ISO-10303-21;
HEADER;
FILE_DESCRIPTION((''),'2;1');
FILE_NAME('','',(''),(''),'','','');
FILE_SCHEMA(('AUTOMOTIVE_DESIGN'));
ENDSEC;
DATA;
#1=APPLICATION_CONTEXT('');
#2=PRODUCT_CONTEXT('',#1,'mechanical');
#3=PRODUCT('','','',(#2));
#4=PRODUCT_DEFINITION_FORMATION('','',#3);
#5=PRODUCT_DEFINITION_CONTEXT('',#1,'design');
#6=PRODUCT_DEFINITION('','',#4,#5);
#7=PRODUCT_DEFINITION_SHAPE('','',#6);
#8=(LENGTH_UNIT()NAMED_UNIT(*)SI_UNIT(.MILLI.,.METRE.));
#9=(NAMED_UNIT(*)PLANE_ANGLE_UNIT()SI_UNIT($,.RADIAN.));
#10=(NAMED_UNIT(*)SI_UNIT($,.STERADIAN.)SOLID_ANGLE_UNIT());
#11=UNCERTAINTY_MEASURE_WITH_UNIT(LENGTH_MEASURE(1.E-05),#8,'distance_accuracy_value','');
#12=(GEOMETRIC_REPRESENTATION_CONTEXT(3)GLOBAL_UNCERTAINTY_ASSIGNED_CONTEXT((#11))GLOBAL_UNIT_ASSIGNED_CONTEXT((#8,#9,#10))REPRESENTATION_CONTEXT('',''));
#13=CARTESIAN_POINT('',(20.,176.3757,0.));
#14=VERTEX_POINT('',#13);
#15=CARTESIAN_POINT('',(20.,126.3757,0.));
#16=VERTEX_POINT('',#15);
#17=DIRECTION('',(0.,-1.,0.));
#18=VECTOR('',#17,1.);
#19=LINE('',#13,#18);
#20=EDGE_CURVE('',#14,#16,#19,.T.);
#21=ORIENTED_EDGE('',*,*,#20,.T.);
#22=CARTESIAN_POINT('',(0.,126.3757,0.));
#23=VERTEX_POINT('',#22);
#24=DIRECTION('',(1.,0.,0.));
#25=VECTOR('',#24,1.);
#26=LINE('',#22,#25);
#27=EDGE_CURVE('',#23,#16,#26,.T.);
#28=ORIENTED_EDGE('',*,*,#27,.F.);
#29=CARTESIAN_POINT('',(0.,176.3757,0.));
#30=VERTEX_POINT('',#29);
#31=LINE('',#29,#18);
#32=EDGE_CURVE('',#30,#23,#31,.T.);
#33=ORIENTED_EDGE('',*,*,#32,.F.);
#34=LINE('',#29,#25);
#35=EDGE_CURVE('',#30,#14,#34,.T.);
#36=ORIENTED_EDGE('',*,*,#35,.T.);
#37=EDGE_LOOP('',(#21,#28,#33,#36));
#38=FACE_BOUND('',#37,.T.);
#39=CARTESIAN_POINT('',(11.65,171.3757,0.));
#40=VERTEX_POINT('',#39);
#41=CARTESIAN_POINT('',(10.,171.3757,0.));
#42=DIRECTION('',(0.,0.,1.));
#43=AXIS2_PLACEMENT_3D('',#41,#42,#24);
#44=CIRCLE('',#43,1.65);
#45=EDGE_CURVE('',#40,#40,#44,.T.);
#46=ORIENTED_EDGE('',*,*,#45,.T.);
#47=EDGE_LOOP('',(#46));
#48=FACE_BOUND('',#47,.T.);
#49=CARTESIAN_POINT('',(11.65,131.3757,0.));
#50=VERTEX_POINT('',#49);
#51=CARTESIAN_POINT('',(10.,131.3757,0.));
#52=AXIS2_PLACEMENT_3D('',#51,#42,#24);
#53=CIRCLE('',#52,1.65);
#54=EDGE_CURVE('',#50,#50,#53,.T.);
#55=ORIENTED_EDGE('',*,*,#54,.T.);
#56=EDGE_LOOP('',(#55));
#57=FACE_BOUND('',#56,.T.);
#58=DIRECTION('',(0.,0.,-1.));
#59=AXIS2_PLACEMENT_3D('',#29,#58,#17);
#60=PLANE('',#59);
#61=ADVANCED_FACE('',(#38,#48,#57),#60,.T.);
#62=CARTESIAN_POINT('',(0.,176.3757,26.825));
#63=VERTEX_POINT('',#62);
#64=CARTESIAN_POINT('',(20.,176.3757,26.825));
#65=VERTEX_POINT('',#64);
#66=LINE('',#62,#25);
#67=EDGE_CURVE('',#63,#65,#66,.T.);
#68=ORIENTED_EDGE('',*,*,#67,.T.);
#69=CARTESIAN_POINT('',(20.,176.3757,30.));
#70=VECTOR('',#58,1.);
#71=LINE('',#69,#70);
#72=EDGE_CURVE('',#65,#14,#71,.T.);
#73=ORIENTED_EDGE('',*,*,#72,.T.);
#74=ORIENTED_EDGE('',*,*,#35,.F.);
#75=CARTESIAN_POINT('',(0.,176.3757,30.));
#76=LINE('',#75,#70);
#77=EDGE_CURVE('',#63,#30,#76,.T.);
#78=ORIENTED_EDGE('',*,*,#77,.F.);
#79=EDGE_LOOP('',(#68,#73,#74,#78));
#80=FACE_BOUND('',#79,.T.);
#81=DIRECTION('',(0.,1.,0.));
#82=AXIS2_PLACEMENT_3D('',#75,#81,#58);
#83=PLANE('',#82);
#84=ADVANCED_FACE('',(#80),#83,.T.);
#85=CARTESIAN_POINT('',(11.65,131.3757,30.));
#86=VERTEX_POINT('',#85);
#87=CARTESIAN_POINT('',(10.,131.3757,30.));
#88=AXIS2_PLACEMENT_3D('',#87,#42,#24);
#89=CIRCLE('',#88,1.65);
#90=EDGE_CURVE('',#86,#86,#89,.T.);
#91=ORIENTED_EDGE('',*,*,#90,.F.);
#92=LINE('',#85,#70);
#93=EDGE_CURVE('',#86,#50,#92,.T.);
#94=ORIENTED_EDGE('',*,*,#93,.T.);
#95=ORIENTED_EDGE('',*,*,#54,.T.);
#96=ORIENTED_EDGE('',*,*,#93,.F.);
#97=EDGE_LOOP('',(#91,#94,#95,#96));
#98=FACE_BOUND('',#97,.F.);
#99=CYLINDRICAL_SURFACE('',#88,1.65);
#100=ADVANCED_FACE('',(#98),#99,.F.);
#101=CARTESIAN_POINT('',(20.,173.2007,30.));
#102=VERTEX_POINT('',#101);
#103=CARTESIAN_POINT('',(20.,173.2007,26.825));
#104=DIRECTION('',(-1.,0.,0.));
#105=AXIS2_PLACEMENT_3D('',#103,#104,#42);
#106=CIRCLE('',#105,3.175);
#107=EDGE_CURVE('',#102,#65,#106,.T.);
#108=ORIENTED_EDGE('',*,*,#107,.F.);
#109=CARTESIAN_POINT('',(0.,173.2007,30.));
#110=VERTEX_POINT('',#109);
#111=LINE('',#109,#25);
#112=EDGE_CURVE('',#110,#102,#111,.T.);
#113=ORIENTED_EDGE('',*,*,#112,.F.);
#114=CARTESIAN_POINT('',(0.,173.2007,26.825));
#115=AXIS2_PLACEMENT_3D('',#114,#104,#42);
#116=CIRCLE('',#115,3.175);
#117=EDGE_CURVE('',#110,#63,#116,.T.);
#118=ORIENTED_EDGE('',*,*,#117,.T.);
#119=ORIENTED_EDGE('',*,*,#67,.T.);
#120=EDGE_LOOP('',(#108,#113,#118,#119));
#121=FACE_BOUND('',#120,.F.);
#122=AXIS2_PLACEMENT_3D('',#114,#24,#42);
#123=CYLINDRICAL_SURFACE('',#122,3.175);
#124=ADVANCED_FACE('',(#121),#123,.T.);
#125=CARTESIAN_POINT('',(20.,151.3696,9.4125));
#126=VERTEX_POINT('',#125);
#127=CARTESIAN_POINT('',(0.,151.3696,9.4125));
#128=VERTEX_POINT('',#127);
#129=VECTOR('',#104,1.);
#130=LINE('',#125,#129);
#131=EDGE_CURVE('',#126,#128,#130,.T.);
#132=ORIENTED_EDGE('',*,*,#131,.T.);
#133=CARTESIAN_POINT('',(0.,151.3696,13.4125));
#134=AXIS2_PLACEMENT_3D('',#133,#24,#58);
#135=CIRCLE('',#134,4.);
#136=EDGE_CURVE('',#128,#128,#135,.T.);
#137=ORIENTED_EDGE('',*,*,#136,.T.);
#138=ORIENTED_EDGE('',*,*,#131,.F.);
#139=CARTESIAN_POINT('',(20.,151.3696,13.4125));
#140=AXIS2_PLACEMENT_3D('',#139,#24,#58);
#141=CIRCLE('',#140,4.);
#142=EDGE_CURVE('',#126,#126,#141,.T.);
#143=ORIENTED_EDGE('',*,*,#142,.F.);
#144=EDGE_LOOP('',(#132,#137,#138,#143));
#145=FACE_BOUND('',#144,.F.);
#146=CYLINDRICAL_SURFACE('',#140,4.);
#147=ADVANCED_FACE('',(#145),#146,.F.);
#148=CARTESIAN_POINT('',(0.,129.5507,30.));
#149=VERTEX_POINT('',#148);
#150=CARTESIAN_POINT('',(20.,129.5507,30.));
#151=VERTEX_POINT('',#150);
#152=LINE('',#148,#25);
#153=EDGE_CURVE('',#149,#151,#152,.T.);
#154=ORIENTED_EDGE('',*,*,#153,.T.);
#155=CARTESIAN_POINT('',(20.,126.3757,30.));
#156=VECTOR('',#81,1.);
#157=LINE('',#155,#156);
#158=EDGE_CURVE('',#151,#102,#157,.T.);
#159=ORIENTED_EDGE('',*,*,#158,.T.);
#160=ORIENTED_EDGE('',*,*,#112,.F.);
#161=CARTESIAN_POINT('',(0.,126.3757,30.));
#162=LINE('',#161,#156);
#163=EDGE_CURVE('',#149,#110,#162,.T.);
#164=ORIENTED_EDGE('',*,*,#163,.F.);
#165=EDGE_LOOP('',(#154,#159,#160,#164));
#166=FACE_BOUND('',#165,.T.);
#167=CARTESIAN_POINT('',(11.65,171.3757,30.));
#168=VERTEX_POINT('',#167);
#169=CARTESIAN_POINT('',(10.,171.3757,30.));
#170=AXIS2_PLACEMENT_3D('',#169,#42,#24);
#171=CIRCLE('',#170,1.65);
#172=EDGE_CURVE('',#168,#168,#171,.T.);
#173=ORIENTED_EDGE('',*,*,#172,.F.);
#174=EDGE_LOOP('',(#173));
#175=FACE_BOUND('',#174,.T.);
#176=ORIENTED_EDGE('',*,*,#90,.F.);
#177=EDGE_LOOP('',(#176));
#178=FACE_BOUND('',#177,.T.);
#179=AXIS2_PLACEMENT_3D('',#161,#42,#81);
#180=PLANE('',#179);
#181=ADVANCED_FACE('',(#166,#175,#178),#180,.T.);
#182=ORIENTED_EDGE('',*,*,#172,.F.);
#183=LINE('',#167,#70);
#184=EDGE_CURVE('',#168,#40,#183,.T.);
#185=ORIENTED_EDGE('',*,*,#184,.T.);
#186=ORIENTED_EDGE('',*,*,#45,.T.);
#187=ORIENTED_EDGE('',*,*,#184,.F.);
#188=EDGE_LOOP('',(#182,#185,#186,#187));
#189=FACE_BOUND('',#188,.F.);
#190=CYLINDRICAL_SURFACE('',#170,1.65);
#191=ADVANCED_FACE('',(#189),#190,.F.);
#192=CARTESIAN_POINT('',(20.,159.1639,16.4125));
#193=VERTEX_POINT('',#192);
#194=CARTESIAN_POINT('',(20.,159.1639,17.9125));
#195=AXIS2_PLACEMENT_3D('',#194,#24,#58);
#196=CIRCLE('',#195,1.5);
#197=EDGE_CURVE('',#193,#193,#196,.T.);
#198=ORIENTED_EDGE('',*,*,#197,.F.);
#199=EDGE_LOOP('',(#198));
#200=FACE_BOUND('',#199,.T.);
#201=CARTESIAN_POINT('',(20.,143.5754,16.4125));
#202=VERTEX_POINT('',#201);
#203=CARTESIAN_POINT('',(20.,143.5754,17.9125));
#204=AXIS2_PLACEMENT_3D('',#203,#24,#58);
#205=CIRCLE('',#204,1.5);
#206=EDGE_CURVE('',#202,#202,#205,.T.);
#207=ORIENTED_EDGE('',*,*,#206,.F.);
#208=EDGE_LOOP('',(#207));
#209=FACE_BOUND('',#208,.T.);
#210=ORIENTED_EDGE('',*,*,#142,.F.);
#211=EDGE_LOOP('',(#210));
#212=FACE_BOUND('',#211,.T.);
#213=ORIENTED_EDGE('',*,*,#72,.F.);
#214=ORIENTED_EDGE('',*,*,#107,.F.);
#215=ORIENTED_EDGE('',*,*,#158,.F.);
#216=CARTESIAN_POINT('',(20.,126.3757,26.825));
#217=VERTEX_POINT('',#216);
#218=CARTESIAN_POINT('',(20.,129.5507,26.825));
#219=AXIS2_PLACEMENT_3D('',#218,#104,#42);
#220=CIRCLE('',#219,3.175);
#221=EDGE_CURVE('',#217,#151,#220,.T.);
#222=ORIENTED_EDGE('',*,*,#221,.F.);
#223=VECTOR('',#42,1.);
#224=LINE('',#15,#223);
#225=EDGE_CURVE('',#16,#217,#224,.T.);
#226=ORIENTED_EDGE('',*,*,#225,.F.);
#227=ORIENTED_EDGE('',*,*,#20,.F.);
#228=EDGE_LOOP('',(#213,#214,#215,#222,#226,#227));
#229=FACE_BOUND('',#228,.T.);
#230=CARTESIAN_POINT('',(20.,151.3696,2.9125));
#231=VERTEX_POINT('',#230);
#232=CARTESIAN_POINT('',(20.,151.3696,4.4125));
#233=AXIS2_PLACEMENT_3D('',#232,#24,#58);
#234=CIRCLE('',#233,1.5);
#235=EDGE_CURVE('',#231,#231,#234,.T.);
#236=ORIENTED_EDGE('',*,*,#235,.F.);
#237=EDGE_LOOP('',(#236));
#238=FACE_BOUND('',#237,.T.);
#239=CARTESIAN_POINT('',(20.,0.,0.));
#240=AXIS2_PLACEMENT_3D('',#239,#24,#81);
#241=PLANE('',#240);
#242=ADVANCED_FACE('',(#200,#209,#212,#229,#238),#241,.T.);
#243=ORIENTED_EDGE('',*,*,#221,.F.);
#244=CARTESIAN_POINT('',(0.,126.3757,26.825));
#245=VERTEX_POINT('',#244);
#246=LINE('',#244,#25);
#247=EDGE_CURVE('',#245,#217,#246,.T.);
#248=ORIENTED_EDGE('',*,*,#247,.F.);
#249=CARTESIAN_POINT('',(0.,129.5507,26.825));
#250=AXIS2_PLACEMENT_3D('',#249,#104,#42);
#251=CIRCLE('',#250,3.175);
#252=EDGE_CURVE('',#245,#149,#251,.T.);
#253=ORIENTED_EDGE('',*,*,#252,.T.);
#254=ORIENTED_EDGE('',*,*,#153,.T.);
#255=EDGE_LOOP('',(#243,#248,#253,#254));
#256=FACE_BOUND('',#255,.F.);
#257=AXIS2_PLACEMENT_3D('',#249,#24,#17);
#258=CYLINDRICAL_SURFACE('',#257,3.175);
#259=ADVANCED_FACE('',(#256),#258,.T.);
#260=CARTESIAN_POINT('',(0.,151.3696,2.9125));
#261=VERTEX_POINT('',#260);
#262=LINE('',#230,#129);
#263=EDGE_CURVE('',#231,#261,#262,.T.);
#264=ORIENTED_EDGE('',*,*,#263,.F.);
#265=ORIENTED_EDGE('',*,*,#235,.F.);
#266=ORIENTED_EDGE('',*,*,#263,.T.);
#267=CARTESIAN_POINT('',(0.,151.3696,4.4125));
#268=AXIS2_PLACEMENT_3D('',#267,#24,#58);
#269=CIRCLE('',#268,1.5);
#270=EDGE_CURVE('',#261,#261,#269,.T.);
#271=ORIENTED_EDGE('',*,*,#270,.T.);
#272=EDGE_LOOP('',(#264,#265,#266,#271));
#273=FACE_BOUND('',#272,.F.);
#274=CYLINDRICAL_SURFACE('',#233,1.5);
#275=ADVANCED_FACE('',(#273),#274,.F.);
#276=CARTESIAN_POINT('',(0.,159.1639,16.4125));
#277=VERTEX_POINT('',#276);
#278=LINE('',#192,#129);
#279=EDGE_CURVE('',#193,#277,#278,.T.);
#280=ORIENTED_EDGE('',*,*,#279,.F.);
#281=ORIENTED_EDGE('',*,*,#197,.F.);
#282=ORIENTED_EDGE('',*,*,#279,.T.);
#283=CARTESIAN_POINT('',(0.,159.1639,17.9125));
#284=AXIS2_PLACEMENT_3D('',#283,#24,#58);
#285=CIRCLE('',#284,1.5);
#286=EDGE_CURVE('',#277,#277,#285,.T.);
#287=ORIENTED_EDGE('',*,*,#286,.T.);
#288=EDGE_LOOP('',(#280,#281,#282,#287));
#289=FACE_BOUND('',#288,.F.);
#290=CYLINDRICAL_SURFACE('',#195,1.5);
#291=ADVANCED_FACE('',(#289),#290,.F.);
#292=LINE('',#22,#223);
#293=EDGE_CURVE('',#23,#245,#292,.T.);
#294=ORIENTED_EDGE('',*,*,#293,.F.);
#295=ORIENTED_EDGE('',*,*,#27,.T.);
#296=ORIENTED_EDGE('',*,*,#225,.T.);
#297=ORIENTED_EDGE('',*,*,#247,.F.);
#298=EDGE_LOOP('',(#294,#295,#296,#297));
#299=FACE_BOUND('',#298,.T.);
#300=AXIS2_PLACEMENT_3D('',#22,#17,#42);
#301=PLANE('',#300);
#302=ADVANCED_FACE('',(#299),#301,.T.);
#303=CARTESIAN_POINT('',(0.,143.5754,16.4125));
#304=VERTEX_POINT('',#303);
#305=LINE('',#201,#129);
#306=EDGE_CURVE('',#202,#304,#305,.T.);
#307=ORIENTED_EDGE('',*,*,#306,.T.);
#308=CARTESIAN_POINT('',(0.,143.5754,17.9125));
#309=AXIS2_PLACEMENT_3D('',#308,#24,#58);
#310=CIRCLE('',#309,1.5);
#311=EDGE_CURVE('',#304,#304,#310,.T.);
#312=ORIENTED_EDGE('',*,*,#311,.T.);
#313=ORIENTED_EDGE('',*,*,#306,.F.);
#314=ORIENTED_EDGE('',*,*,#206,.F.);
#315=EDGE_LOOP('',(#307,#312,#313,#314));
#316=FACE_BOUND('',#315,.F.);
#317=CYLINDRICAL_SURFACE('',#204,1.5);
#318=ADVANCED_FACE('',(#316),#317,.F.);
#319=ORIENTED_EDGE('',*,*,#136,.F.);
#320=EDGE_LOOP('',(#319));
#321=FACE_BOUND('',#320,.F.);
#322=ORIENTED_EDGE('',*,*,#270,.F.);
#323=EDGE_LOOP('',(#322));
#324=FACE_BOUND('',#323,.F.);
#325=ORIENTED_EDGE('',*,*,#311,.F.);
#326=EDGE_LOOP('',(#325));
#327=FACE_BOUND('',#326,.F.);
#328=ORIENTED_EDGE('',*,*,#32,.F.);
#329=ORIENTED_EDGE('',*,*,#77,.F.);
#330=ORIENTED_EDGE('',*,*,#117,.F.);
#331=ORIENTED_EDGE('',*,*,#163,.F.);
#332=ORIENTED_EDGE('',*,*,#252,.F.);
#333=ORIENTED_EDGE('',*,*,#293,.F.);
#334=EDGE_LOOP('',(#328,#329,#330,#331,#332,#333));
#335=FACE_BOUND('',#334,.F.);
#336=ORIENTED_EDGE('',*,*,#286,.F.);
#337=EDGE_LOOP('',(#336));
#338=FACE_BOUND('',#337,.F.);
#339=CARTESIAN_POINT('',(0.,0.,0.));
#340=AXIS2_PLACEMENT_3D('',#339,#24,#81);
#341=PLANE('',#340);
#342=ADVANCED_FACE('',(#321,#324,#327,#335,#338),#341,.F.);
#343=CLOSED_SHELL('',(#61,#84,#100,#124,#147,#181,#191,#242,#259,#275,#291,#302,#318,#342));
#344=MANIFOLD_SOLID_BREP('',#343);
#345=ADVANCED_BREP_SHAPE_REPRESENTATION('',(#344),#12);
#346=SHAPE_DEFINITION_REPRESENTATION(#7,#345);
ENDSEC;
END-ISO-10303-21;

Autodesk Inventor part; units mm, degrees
ref_plane "YZ Plane" through (0, 0, 0) normal (1, 0, 0) x (0, 1, 0)
ref_plane "XZ Plane" through (0, 0, 0) normal (0, 1, 0) x (-1, 0, 0)
ref_plane "XY Plane" through (0, 0, 0) normal (0, 0, 1) x (1, 0, 0)
sketch "Sketch1" plane through (0, 0, 0) normal (1, 0, 0) x (0, 1, 0)
  line L0 (176.3757, 0) -> (126.3757, 0)
  line L1 (126.3757, 0) -> (126.3757, 30)
  line L2 (126.3757, 30) -> (176.3757, 30)
  line L3 (176.3757, 30) -> (176.3757, 0)
  point P0 (0, 0)
  dimension "d0" = 30
  dimension "d1" = 50
extrude "Extrusion1" add sketch "Sketch1" along normal blind 20
fillet "Fillet1" radius 3.175 2 edges at (10, 126.3757, 30) (10, 176.3757, 30)
sketch "Sketch2" plane through (0, 129.5507, 30) normal (0, 0, 1) x (1, 0, 0)
  line L0 (0, 46.825) -> (20, 46.825) construction
  line L1 (10, 46.825) -> (10, -3.175) construction
  line L2 (0, -3.175) -> (20, -3.175) construction
  circle A0 centre (10, 41.825) radius 1.65
  circle A1 centre (10, 1.825) radius 1.65
  point P0 (0, -129.5507)
  dimension "d5" = 3.3
  dimension "d6" = 5
  dimension "d7" = 3.3
  dimension "d8" = 5
extrude "Extrusion2" cut sketch "Sketch2" against normal blind 30
sketch "Sketch3" plane through (20, 0, 0) normal (1, 0, 0) x (0, 0, -1)
  line L0 (-30, 173.2007) -> (-30, 129.5507) construction
  line L1 (-30, 151.3757) -> (12.6673, 151.3757) construction
  line L2 (-26.825, 126.3757) -> (0, 126.3757) construction
  line L3 (-13.4125, 126.3757) -> (-13.4125, 176.3636) construction
  circle A0 centre (-13.4125, 151.3696) radius 4
  point P0 (0, 0)
  dimension "d11" = 8
extrude "Extrusion3" cut sketch "Sketch3" against normal through all
sketch "Sketch4" plane through (20, 0, 0) normal (1, 0, 0) x (0, 0, -1)
  circle A0 centre (-13.4125, 151.3696) radius 12.5 construction
  circle A1 centre (-17.5297, 159.3727) radius 1.5 construction
  circle A2 centre (-13.4125, 151.3696) radius 5 construction
  circle A3 centre (-4.4231, 150.9337) radius 1.5 construction
  circle A4 centre (-18.2848, 143.8026) radius 1.5 construction
  circle A5 centre (-13.4125, 151.3696) radius 9 construction
  circle A6 centre (-4.4125, 151.3696) radius 1.5
  circle A7 centre (-17.9125, 159.1639) radius 1.5
  circle A8 centre (-17.9125, 143.5754) radius 1.5
  point P0 (0, 0)
  dimension "d16" = 360
extrude "Extrusion4" cut sketch "Sketch4" against normal through all
properties part number "Z Leadcrew Nut Holder"
